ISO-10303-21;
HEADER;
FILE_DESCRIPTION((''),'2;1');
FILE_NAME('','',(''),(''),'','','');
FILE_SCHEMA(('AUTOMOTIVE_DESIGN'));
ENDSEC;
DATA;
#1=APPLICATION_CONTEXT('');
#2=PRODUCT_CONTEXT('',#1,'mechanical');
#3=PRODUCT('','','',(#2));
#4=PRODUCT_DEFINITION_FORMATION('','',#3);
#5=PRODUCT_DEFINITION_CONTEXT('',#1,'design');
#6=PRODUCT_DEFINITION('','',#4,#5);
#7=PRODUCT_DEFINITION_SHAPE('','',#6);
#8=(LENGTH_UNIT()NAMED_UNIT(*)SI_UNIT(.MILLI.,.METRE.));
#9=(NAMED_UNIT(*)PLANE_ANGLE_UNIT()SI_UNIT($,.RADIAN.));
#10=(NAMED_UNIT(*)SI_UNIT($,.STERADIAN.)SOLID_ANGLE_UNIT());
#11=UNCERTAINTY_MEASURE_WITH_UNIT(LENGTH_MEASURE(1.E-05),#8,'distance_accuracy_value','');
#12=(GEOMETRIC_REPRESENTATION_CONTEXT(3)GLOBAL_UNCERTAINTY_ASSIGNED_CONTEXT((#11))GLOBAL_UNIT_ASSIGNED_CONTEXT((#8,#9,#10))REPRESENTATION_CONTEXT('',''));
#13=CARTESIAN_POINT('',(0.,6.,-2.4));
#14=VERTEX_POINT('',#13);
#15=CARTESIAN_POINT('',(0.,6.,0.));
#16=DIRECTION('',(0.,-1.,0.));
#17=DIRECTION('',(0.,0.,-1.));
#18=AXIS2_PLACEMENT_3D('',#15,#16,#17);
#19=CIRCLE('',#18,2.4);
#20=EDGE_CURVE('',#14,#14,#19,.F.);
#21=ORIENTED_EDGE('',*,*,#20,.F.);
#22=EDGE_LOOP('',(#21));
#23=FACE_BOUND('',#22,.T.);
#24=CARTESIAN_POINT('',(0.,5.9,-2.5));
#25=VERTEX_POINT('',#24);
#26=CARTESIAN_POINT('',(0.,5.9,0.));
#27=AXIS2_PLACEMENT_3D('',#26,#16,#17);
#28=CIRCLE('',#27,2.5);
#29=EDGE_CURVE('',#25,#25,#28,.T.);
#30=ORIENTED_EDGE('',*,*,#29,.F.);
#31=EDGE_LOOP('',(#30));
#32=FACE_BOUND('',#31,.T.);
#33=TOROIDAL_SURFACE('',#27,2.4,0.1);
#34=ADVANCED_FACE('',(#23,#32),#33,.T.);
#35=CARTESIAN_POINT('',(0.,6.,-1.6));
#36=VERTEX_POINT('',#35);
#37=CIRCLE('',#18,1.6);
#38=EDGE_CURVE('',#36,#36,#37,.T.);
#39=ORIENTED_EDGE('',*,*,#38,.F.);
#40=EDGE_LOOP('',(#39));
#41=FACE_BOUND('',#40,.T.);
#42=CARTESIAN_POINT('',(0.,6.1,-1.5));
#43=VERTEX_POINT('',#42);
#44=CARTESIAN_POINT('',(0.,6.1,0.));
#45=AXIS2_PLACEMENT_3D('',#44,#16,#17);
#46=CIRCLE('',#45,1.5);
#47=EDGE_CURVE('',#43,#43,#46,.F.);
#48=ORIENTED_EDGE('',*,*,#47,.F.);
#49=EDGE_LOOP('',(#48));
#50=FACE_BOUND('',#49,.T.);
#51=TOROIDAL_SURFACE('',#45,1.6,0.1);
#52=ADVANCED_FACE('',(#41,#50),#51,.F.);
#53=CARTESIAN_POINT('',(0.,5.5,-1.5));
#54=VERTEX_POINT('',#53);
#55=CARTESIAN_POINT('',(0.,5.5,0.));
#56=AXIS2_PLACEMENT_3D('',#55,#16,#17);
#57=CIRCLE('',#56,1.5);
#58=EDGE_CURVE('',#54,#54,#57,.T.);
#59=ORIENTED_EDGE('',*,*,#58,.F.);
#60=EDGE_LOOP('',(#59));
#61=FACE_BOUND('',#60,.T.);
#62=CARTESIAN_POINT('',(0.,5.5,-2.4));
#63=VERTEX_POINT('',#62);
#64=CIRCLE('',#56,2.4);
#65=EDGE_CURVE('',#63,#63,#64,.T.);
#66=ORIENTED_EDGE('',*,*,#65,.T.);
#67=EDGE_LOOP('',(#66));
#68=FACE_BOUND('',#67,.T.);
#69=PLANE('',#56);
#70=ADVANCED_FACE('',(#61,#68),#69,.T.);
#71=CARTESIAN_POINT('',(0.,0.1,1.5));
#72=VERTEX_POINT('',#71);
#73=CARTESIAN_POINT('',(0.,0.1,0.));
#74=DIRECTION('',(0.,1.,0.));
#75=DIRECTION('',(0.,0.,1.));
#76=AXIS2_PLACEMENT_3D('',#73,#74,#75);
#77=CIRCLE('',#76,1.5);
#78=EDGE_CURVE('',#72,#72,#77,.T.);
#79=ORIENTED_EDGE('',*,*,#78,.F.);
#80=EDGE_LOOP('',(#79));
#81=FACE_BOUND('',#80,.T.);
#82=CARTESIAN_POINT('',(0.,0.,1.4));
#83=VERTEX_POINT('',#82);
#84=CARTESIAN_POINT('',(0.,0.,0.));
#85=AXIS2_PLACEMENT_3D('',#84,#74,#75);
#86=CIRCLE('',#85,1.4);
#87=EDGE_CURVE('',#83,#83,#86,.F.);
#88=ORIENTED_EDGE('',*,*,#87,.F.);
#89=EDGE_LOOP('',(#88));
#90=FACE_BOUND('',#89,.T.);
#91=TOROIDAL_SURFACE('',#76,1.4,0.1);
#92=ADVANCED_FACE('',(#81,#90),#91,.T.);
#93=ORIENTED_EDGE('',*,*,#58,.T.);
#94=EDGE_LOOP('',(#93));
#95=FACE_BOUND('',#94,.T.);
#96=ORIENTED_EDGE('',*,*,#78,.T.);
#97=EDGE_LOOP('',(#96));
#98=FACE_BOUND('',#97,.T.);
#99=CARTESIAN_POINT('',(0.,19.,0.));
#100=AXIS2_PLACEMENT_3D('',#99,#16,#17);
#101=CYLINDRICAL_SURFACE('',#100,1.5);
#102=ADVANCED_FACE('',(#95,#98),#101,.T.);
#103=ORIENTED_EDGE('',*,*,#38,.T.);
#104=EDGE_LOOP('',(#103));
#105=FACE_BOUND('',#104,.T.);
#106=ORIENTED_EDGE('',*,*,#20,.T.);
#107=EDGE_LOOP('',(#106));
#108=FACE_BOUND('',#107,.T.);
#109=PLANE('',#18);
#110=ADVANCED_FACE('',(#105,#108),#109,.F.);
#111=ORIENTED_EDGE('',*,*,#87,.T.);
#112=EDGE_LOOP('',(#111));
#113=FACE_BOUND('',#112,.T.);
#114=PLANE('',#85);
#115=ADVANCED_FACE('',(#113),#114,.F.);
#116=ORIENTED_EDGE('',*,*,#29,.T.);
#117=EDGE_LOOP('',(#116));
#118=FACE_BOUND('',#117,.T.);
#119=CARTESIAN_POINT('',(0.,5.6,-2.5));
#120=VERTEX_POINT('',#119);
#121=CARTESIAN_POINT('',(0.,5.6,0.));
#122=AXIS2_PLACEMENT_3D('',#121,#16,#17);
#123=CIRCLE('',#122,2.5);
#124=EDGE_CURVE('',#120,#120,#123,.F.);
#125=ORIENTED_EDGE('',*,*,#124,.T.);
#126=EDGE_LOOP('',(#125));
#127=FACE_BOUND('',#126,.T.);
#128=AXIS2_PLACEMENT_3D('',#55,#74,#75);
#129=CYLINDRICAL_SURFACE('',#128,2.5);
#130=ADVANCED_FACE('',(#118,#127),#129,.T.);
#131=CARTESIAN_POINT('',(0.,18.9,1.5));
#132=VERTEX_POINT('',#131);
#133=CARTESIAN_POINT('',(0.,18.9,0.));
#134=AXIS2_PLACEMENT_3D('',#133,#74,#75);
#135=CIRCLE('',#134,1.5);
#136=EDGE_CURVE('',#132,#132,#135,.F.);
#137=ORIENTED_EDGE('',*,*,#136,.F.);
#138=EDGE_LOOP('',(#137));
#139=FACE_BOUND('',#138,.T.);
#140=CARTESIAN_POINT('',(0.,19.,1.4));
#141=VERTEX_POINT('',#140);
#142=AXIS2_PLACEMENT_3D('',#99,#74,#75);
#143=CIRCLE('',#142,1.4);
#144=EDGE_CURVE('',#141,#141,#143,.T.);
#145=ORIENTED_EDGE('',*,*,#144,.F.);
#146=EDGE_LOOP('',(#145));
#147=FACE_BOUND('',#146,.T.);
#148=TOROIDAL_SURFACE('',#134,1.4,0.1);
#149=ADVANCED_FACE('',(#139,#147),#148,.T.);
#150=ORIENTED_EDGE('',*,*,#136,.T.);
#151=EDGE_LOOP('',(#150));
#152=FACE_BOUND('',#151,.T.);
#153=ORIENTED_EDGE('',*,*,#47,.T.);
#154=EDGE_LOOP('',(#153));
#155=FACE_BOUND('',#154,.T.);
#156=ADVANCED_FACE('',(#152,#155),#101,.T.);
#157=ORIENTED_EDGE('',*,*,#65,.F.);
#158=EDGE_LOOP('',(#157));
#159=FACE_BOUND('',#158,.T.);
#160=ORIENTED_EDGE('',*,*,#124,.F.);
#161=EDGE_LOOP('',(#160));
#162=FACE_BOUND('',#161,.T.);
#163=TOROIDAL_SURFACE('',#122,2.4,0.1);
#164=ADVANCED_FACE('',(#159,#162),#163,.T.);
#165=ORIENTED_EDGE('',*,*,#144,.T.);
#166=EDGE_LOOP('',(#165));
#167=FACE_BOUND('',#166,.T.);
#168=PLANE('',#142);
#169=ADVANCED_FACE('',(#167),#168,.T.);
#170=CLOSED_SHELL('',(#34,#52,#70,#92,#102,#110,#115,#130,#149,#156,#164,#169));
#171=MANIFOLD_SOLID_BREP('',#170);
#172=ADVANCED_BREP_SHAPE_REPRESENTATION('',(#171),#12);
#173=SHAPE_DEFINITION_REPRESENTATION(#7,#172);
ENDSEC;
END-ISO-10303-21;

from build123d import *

# Parameters (mm, degrees)
SKETCH_1_R      = 1.5
EXTRUDE_1_DEPTH = 19
EXTRUDE_START   = -5.5
SKETCH_3_R      = 2.5
SKETCH_3_R_2    = 1.5
EXTRUDE_3_DEPTH = 0.5
FILLET_1_R      = 0.1


with BuildPart() as part:
    # 草图1 → 凸台-拉伸1 (new body)
    with BuildSketch(Plane(origin=(0, 0, 0), x_dir=(1, 0, 0), z_dir=(0, 1, 0))):
        with Locations(Location((0, 0, 0), (0, 0, 270))):
            Circle(SKETCH_1_R)
    extrude(amount=EXTRUDE_1_DEPTH)

    # 草图3 → 凸台-拉伸3 (add)
    with BuildSketch(Plane(origin=(0, 0, 0), x_dir=(-1, 0, 0), z_dir=(0, -1, 0)).offset(EXTRUDE_START)):
        with Locations(Location((0, 0, 0), (0, 0, 90))):
            Circle(SKETCH_3_R)
        with Locations(Location((0, 0, 0), (0, 0, 90))):
            Circle(SKETCH_3_R_2, mode=Mode.SUBTRACT)
    extrude(amount=-EXTRUDE_3_DEPTH)

    # 圆角1
    fillet_1_edges = [part.edges().sort_by_distance(p)[0] for p in [
        (0, 0, -1.5),
        (0, 19, -1.5),
        (0, 6, -1.5),
        (0, 5.5, 2.5),
        (0, 6, 2.5),
    ]]
    fillet(fillet_1_edges, radius=FILLET_1_R)


solid = part.part
